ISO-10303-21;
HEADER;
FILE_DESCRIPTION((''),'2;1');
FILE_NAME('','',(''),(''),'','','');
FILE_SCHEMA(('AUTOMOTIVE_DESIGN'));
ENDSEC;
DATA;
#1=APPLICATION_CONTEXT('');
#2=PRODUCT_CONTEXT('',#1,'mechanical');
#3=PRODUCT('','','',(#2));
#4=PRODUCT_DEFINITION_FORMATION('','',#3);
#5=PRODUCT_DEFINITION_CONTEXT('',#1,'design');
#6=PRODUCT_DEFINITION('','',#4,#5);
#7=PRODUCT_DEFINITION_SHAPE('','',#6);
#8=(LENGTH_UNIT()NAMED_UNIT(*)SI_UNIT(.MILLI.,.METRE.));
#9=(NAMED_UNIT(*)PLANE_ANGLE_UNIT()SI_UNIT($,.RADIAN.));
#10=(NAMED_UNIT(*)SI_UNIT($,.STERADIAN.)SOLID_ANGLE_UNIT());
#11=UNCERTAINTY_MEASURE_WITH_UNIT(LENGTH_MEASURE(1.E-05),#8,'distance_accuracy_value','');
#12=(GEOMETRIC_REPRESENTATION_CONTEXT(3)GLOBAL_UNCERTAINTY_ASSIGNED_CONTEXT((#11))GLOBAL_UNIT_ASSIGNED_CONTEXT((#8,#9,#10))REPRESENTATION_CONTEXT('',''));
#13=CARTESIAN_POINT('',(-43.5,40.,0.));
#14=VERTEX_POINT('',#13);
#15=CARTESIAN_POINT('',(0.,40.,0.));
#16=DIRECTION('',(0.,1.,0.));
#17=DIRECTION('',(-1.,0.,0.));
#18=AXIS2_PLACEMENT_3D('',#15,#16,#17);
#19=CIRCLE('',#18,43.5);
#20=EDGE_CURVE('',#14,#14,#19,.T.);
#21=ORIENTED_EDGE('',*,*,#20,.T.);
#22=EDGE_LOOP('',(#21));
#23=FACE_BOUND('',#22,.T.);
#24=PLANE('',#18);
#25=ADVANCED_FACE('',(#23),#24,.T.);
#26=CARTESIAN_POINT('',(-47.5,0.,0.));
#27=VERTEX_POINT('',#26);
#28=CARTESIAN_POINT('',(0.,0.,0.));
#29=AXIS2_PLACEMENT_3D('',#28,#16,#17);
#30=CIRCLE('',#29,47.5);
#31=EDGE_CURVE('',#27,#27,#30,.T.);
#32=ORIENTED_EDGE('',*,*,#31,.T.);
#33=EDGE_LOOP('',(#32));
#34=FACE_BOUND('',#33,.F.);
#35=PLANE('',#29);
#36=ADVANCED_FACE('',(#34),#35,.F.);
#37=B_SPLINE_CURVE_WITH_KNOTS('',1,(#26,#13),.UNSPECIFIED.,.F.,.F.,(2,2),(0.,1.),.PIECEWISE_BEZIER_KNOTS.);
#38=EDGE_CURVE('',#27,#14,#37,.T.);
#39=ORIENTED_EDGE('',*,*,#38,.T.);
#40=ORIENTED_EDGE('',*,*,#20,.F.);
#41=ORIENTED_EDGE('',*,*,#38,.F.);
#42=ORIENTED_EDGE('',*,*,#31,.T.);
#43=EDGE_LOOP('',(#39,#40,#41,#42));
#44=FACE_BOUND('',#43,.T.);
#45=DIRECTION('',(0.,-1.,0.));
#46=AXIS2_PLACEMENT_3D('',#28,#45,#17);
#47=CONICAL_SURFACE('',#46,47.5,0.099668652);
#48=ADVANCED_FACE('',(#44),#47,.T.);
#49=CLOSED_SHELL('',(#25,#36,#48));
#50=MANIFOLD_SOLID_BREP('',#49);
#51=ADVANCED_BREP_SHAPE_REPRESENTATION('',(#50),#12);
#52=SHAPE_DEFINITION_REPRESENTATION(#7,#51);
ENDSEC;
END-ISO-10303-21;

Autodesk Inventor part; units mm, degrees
ref_plane "YZ Plane" through (0, 0, 0) normal (1, 0, 0) x (0, 1, 0)
ref_plane "XY Plane" through (0, 0, 0) normal (0, 0, 1) x (1, 0, 0)
sketch "Sketch1" plane through (0, 0, 0) normal (0, 1, 0) x (-1, 0, 0)
  circle A0 centre (0, 0) radius 47.5
  dimension "d0" = 95
ref_plane "Work Plane1" through (0, 40, 0) normal (0, 1, 0) x (-1, 0, 0)
sketch "Sketch2" plane through (0, 40, 0) normal (0, 1, 0) x (-1, 0, 0)
  circle A0 centre (0, 0) radius 43.5
  dimension "d2" = 87
loft "Loft1" add profiles "Sketch1", "Sketch2"
properties part number "Base"
